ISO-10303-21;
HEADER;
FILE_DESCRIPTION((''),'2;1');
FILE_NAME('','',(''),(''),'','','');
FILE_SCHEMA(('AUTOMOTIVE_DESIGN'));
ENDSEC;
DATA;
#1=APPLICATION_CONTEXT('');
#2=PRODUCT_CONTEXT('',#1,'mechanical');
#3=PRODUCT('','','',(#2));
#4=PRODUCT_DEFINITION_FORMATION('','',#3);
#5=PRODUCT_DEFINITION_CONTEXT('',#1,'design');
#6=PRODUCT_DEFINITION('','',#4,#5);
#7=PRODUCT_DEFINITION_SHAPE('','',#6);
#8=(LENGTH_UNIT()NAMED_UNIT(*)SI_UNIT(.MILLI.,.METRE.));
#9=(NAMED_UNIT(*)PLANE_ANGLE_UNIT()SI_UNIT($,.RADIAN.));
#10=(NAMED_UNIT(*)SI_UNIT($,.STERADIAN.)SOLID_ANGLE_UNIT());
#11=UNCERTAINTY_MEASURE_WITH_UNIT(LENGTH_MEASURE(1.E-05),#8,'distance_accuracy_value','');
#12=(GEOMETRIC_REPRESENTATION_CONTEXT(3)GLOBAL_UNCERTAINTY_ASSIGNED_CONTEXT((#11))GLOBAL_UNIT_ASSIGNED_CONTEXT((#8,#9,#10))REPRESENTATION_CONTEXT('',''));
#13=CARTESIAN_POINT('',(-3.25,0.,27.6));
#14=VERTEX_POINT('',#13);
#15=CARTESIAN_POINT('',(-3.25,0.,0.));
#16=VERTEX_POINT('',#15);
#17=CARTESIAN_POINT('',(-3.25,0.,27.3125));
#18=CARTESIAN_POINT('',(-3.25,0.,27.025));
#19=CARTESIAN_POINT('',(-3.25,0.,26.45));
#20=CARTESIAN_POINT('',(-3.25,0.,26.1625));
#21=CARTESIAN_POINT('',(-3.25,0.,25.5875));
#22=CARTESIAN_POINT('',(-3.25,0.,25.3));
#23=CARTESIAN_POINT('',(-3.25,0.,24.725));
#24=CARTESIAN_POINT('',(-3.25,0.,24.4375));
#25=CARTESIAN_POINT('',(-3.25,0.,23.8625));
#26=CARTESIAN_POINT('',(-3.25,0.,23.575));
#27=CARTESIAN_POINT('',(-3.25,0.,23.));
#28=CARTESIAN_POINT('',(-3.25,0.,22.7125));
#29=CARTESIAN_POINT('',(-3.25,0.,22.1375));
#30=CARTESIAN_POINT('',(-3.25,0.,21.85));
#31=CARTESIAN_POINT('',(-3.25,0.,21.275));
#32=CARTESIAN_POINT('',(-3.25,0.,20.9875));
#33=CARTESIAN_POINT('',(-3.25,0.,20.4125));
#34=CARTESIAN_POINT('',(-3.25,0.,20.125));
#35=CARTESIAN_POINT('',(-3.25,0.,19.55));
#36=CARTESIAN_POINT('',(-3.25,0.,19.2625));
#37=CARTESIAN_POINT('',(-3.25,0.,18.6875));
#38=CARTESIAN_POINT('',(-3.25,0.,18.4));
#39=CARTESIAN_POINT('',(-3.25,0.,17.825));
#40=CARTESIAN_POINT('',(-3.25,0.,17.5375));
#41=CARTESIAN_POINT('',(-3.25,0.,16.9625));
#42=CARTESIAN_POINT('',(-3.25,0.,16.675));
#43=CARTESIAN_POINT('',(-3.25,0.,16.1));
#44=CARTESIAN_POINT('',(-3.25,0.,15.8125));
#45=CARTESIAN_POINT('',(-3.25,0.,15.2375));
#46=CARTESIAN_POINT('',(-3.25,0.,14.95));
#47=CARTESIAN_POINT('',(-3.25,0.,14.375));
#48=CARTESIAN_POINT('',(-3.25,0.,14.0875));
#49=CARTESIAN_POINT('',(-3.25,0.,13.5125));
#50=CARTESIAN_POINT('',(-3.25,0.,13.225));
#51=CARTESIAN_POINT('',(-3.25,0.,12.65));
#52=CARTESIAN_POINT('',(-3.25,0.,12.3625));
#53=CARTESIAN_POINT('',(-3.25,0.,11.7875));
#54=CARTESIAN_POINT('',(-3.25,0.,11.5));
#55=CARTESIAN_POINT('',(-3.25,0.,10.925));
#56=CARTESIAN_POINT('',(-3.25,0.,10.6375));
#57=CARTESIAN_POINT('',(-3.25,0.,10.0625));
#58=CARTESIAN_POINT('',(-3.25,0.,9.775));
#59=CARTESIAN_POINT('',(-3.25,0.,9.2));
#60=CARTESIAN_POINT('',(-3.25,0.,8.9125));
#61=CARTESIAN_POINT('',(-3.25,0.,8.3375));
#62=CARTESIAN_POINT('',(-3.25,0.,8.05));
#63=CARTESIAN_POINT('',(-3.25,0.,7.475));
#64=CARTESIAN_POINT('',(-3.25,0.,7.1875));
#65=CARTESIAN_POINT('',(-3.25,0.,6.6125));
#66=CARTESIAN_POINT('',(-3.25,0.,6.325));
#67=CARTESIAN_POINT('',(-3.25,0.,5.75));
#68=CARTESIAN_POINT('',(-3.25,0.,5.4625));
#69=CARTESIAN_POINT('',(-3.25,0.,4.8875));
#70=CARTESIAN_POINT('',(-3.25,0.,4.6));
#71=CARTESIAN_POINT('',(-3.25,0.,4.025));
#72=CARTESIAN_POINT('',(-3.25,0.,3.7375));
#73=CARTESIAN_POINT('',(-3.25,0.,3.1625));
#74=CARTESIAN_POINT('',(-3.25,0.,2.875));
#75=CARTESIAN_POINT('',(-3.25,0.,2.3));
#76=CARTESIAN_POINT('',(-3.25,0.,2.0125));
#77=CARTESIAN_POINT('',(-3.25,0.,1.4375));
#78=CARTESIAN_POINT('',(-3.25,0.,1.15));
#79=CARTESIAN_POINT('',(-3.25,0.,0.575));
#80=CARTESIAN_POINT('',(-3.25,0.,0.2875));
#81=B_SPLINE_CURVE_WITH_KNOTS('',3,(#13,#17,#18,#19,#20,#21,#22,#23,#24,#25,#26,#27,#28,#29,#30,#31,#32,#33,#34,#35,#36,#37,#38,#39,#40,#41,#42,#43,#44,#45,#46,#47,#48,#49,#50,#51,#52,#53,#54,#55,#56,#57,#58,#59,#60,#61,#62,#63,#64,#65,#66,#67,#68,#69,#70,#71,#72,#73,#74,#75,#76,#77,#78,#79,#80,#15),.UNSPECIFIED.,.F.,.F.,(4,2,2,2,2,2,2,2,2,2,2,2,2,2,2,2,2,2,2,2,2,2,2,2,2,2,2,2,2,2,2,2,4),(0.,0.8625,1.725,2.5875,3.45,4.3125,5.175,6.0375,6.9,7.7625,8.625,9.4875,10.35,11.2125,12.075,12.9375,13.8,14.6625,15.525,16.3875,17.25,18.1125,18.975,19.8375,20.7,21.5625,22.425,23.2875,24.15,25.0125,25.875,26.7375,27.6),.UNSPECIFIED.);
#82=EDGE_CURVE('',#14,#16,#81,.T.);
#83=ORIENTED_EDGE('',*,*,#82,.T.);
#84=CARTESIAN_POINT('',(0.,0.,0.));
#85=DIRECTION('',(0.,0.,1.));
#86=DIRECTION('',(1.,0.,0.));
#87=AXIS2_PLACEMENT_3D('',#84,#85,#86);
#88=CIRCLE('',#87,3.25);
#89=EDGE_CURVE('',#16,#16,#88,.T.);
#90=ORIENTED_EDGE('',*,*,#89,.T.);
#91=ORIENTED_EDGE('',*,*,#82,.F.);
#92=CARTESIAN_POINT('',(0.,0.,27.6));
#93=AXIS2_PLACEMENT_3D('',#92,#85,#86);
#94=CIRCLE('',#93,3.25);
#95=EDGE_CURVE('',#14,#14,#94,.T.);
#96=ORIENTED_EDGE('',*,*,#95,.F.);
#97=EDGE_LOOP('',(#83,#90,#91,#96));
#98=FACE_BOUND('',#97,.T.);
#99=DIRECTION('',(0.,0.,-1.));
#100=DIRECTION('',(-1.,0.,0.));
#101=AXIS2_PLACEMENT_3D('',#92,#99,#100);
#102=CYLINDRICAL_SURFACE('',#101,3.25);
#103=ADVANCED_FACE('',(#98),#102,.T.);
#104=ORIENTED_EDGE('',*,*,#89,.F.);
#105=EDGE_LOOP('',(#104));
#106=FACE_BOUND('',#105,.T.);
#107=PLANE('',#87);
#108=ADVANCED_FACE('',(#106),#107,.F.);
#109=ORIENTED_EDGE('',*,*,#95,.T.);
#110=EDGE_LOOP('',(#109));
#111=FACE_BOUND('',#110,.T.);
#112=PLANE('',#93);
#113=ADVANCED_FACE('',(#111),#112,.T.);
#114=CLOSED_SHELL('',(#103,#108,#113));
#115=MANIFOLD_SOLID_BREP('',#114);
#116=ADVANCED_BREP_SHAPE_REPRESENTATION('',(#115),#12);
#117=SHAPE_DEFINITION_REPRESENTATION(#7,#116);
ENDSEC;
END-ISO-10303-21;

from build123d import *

# Parameters (mm, degrees)
ESQUISSE1_R      = 3.25
EXTRUSION1_DEPTH = 27.6


with BuildPart() as part:
    # Esquisse1 → Extrusion1 (new body)
    with BuildSketch(Plane.XY):
        with Locations(Location((0, 0, 0), (0, 0, 180))):
            Circle(ESQUISSE1_R)
    extrude(amount=EXTRUSION1_DEPTH)


solid = part.part
